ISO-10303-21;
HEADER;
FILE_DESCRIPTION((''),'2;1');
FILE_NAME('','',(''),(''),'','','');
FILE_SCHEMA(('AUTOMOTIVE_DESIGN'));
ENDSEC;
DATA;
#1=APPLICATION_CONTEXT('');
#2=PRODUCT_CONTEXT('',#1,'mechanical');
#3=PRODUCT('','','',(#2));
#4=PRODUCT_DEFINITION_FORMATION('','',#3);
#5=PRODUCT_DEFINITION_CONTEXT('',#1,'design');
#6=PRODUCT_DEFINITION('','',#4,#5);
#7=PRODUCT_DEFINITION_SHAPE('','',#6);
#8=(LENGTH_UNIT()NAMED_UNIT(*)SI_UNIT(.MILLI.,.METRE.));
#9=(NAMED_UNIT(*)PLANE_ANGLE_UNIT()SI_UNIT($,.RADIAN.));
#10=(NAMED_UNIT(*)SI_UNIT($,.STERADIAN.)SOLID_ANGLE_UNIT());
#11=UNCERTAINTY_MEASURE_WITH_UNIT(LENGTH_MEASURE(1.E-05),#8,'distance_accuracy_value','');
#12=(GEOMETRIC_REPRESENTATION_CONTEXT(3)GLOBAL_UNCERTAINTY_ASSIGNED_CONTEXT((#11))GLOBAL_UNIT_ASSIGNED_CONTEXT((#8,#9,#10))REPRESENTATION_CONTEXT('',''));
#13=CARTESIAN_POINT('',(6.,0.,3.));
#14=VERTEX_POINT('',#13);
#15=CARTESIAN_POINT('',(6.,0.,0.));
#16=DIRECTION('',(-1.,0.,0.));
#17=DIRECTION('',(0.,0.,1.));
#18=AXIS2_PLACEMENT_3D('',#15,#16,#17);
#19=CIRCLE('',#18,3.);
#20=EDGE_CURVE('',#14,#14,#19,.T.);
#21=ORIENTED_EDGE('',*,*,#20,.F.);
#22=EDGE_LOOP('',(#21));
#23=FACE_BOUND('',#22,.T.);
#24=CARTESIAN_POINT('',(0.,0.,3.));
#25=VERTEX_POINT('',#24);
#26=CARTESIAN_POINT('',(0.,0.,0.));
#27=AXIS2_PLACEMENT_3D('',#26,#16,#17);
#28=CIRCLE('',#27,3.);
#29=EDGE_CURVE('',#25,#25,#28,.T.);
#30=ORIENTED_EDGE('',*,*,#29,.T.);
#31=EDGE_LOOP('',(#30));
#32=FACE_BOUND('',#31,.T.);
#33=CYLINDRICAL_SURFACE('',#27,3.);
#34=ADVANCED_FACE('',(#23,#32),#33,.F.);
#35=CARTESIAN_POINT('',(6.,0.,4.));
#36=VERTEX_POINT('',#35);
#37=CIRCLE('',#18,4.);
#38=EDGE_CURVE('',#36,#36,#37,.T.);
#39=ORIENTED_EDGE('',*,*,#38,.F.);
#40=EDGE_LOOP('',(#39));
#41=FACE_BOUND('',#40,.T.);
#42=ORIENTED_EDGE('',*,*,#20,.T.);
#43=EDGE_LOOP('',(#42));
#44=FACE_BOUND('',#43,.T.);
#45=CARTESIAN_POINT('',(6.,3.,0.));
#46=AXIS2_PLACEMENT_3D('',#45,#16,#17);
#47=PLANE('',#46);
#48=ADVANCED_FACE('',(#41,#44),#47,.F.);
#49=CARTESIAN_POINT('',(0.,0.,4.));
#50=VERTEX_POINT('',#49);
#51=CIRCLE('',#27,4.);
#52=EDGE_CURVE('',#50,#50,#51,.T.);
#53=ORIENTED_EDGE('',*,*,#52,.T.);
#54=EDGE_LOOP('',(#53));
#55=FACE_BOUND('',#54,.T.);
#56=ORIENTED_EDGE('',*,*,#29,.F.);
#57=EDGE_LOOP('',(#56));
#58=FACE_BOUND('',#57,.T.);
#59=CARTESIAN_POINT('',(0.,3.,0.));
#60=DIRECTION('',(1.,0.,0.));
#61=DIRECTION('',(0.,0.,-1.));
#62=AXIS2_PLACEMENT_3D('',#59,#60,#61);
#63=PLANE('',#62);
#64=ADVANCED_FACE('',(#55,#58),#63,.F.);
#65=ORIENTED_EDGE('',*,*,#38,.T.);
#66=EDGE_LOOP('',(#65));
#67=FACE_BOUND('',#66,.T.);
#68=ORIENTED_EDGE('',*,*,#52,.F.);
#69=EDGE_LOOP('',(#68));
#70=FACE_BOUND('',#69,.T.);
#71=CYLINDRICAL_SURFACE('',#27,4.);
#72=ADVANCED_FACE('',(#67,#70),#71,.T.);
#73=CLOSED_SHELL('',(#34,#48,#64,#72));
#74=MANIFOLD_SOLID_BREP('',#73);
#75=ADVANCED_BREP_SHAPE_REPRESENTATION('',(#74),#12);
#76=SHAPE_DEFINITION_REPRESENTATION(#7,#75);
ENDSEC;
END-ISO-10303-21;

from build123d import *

# Parameters (mm, degrees)
SKETCH1_W = 6
SKETCH1_H = 1


with BuildPart() as part:
    # Sketch1 → Revolve1 (revolve)
    with BuildSketch(Plane.XY, mode=Mode.PRIVATE) as revolve1_sk:
        with Locations((3, 3.5)):
            Rectangle(SKETCH1_W, SKETCH1_H)
    revolve(revolve1_sk.sketch.rotate(Axis((0, 0, 0), (1, 0, 0)), 90), axis=Axis((0, 0, 0), (1, 0, 0)))


solid = part.part
